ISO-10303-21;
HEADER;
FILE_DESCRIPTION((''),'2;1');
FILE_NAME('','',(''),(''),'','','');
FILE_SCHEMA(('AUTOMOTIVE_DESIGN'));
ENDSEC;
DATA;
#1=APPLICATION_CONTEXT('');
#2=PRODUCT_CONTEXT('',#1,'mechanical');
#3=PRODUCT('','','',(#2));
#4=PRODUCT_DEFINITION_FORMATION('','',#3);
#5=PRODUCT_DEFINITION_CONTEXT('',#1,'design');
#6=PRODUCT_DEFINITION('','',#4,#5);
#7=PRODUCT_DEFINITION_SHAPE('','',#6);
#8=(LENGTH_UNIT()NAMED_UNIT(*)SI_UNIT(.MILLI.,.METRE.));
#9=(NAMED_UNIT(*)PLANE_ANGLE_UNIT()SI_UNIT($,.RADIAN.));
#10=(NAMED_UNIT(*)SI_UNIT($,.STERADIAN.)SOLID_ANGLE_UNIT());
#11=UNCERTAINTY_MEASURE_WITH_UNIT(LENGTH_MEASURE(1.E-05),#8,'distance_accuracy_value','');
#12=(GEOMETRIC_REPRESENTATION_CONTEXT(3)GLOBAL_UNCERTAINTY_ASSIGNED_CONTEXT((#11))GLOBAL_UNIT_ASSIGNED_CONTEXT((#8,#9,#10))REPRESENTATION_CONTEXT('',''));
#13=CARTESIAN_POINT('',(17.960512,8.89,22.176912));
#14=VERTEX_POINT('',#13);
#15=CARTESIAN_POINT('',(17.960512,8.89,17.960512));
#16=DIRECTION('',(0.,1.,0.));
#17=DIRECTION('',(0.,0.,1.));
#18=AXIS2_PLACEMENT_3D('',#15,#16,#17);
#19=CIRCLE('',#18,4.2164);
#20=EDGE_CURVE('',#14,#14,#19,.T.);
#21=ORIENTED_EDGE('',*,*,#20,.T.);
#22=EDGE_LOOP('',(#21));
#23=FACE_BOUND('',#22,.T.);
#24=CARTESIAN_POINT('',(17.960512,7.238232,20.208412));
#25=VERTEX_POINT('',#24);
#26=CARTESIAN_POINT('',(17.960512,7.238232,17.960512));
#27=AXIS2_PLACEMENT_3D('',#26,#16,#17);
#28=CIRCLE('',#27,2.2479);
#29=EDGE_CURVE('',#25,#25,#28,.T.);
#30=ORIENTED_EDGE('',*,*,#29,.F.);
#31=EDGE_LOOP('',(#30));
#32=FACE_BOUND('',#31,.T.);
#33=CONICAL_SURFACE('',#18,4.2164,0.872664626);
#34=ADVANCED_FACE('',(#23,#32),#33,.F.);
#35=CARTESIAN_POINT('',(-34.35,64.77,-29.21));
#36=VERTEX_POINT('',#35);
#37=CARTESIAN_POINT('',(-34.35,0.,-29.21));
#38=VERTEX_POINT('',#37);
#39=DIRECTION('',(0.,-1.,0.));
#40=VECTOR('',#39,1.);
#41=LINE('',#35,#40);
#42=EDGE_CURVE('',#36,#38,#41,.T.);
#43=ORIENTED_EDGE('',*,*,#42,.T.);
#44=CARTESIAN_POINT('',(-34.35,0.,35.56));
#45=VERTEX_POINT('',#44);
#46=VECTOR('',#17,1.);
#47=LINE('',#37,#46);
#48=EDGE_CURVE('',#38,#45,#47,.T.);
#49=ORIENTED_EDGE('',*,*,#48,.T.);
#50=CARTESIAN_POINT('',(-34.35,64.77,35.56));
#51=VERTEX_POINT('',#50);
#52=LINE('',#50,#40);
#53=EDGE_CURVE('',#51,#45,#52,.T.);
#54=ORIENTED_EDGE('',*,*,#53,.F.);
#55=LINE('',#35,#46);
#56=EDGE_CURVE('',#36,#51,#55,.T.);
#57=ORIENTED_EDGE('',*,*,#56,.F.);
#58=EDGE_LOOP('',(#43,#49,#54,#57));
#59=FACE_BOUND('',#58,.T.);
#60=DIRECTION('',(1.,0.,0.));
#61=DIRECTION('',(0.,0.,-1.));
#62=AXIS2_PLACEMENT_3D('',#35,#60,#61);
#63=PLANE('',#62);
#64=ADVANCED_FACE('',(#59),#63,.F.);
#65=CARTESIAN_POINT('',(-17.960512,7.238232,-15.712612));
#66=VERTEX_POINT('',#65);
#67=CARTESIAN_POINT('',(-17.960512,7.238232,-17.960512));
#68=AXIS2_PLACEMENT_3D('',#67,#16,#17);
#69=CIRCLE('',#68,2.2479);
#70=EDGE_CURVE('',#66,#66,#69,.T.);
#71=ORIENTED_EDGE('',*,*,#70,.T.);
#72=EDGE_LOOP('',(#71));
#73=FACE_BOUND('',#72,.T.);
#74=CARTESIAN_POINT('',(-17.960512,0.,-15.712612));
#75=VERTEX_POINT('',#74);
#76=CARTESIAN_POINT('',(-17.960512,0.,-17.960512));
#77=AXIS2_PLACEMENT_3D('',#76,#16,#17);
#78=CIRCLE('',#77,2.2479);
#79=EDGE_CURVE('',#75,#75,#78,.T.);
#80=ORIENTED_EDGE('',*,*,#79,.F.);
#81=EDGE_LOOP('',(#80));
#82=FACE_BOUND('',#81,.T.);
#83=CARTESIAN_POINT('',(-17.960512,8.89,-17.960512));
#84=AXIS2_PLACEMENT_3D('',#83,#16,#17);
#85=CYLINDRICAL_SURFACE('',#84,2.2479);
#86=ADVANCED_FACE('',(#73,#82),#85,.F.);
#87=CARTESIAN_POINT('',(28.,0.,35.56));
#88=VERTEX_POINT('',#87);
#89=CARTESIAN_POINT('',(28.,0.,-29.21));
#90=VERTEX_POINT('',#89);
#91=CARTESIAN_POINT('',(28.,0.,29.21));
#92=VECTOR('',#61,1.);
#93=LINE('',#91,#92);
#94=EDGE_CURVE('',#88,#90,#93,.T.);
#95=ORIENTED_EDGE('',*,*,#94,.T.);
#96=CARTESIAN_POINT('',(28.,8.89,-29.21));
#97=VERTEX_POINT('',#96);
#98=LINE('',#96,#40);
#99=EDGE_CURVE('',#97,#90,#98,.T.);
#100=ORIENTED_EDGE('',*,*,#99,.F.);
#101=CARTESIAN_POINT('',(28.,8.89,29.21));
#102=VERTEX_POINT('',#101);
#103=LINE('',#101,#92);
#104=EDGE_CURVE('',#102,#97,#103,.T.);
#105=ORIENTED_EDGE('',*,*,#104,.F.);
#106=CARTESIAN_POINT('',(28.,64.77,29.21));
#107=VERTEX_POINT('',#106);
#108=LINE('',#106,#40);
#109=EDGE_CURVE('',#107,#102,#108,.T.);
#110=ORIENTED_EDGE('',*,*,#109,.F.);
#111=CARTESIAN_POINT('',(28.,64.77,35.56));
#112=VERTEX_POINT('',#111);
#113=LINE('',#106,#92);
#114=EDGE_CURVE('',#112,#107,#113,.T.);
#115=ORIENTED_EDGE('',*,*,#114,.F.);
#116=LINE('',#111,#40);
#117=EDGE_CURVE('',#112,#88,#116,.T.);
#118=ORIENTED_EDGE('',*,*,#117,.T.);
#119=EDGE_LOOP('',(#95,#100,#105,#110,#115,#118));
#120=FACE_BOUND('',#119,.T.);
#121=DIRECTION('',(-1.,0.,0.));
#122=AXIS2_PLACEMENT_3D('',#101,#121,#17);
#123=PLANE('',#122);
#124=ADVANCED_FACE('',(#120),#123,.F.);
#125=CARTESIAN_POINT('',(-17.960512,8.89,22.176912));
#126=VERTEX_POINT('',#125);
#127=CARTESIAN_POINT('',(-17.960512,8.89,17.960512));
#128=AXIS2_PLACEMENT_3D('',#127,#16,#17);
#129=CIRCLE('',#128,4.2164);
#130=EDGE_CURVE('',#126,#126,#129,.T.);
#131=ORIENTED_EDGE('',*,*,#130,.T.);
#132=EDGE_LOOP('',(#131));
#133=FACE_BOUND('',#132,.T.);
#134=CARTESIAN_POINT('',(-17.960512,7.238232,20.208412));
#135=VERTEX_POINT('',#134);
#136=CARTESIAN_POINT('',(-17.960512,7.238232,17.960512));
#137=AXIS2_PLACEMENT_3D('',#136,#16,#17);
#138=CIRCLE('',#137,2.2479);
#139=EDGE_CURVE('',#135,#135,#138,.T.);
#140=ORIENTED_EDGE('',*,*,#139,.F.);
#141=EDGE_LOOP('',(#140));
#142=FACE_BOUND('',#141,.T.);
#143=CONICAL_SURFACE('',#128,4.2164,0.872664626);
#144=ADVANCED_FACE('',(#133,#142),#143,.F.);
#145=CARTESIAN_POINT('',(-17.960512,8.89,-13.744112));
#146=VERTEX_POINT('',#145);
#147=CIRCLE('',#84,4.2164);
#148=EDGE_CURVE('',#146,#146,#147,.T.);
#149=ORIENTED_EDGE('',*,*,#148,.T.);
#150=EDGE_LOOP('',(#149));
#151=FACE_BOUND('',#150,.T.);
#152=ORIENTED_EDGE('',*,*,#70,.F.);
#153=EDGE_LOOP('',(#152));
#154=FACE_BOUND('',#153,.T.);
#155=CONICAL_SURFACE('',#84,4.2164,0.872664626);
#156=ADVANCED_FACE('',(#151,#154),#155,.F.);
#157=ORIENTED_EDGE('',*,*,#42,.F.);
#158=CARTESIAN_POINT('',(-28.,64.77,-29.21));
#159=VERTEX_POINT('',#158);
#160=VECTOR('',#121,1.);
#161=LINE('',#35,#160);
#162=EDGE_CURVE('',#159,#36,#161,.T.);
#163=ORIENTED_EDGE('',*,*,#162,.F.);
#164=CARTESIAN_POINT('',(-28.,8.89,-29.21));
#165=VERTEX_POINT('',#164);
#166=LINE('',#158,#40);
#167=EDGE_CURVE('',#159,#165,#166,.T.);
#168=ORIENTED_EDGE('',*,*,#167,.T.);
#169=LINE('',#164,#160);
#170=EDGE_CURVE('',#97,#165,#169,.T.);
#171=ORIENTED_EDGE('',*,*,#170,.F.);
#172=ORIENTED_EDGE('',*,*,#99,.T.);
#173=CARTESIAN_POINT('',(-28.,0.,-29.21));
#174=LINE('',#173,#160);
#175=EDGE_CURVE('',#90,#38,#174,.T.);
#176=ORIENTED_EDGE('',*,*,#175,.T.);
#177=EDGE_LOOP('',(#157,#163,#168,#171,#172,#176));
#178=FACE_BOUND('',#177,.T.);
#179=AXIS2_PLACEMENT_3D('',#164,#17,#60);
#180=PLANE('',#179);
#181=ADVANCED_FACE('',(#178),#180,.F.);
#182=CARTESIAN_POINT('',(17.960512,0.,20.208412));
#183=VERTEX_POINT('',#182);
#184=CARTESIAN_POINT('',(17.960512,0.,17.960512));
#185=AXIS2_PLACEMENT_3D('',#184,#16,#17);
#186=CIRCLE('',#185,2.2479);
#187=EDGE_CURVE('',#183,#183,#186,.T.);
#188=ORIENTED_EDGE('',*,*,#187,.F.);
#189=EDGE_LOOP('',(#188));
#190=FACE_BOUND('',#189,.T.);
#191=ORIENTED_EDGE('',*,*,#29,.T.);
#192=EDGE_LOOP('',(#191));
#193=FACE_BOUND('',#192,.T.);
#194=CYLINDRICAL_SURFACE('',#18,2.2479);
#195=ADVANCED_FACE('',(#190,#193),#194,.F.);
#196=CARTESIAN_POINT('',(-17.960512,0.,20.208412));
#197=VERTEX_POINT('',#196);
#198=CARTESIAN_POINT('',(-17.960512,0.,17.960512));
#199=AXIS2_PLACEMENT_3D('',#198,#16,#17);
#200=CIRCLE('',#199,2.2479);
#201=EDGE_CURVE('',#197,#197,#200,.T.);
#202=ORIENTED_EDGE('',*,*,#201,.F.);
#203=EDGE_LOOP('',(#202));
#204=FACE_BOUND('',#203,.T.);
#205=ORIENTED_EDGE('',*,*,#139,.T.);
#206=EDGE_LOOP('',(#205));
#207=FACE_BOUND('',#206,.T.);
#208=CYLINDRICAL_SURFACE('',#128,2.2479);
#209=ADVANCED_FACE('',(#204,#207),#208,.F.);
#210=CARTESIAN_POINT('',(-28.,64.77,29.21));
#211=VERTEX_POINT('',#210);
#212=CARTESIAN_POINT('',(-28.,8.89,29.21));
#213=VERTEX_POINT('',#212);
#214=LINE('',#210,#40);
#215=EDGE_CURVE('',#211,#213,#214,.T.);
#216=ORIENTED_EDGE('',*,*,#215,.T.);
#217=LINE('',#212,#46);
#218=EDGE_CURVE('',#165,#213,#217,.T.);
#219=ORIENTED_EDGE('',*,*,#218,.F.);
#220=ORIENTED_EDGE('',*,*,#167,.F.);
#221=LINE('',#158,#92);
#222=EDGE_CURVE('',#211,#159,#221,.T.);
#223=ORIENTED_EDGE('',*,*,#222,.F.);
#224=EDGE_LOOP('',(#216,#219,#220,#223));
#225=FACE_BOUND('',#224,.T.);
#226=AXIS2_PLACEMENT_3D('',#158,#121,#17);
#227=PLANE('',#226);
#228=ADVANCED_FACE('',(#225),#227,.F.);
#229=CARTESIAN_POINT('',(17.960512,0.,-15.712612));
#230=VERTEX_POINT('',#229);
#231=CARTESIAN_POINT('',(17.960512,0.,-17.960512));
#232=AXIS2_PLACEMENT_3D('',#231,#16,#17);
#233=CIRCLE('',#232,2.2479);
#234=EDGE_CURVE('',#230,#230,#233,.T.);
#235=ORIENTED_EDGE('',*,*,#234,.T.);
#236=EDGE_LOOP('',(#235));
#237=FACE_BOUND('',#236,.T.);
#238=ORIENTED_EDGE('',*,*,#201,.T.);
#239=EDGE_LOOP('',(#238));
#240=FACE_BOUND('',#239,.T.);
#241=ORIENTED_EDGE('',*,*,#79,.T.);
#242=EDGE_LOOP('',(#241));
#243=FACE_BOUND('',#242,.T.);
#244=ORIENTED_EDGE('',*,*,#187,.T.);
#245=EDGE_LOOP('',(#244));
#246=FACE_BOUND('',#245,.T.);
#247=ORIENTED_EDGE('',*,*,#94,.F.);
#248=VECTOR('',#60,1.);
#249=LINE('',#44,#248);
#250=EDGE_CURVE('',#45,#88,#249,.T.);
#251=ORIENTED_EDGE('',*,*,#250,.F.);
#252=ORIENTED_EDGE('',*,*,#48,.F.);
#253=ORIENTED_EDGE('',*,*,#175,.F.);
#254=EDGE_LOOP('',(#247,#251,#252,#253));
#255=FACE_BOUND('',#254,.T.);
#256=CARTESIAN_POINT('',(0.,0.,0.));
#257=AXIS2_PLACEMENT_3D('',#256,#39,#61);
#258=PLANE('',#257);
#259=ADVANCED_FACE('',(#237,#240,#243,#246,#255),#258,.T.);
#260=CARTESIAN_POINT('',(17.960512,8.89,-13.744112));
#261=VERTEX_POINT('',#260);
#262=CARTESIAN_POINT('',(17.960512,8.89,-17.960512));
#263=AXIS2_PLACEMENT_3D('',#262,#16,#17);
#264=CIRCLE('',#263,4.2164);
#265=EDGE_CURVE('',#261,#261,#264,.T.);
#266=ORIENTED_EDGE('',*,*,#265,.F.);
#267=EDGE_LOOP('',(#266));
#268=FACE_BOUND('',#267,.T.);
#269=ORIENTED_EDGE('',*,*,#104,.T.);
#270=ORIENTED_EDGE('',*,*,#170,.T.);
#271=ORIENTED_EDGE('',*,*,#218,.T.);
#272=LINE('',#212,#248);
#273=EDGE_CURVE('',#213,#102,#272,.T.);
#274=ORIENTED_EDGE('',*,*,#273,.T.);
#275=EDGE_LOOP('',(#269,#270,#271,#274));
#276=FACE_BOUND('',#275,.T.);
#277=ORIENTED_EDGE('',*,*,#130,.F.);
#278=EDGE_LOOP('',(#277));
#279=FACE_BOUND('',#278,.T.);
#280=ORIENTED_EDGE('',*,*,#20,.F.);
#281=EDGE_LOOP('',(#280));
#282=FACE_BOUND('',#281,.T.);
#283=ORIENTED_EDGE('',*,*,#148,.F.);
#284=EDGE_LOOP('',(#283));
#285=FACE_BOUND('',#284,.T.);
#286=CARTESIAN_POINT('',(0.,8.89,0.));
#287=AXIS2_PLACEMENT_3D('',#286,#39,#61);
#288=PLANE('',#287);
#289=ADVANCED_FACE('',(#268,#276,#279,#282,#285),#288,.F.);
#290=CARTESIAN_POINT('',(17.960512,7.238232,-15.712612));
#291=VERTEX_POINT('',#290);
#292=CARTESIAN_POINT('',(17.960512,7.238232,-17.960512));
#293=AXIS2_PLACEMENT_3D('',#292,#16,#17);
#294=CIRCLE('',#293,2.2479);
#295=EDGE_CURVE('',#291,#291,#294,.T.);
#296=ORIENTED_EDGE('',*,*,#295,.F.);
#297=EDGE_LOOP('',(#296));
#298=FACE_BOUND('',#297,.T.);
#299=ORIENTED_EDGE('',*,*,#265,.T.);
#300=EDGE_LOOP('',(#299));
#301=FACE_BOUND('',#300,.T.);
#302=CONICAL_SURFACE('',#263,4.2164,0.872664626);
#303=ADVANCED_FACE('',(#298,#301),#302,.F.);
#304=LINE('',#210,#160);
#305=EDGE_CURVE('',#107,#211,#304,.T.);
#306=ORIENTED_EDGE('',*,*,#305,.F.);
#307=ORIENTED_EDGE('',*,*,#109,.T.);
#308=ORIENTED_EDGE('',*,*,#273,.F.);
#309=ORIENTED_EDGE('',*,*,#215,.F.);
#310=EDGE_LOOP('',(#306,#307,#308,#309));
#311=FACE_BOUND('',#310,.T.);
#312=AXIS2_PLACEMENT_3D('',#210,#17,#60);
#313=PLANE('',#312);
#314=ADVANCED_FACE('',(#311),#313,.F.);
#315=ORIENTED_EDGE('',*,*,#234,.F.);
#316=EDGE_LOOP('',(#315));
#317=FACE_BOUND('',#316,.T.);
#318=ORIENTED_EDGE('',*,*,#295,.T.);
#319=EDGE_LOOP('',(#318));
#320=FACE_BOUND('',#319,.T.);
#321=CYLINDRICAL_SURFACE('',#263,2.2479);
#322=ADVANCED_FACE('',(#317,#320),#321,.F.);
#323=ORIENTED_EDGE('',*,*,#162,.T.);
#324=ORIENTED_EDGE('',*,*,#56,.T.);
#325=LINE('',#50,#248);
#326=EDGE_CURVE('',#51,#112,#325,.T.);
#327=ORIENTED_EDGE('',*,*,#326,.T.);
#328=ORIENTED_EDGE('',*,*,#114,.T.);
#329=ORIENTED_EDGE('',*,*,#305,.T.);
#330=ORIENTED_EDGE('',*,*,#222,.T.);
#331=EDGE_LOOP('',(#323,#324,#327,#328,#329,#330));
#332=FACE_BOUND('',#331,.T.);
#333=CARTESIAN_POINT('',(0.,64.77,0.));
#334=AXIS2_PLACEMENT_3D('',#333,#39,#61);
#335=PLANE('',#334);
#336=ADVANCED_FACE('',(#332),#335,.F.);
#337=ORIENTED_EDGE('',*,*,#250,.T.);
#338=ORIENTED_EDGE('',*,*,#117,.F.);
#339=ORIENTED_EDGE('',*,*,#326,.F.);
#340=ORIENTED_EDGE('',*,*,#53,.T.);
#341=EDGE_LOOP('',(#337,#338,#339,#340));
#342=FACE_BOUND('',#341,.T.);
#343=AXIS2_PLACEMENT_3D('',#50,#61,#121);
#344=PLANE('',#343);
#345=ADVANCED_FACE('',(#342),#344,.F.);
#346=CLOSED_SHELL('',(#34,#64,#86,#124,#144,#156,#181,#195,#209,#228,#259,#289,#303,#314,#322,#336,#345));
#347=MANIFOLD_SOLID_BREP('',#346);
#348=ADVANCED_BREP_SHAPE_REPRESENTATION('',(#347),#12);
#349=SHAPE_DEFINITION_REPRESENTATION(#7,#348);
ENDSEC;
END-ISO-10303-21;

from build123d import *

# Parameters (mm, degrees)
MOTORPROFILE_W                                    = 56
MOTORPROFILE_H                                    = 58.42
BOSS_EXTRUDE2_DEPTH                               = 8.89
BOSS_EXTRUDE3_DEPTH                               = 64.77
CSK_FOR_8_FLAT_HEAD_MACHINE_SCREW_100_D           = 4.4958
CSK_FOR_8_FLAT_HEAD_MACHINE_SCREW_100_CSINK_D     = 8.4328
CSK_FOR_8_FLAT_HEAD_MACHINE_SCREW_100_CSINK_ANGLE = 100


with BuildPart() as part:
    # MotorProfile → Boss-Extrude2 (new body)
    with BuildSketch(Plane(origin=(0, 0, 0), x_dir=(1, 0, 0), z_dir=(0, 1, 0))):
        Rectangle(MOTORPROFILE_W, MOTORPROFILE_H)
    extrude(amount=BOSS_EXTRUDE2_DEPTH)

    # Sketch2 → Boss-Extrude3 (add)
    with BuildSketch(Plane(origin=(0, 0, 0), x_dir=(1, 0, 0), z_dir=(0, 1, 0))):
        Polygon((-34.35, 29.21), (-34.35, -35.56), (28, -35.56), (28, -29.21), (-28, -29.21), (-28, 29.21), align=None)
    extrude(amount=BOSS_EXTRUDE3_DEPTH)

    # CSK for #8 Flat Head Machine Screw (100)2 (through all)
    with Locations(Plane(origin=(0, 8.89, 0), x_dir=(1, 0, 0), z_dir=(0, 1, 0))):
        with Locations((17.960512242, 17.960512242), (17.960512242, -17.960512242), (-17.960512242, -17.960512242), (-17.960512242, 17.960512242)):
            CounterSinkHole(CSK_FOR_8_FLAT_HEAD_MACHINE_SCREW_100_D / 2, CSK_FOR_8_FLAT_HEAD_MACHINE_SCREW_100_CSINK_D / 2, counter_sink_angle=CSK_FOR_8_FLAT_HEAD_MACHINE_SCREW_100_CSINK_ANGLE)


solid = part.part
